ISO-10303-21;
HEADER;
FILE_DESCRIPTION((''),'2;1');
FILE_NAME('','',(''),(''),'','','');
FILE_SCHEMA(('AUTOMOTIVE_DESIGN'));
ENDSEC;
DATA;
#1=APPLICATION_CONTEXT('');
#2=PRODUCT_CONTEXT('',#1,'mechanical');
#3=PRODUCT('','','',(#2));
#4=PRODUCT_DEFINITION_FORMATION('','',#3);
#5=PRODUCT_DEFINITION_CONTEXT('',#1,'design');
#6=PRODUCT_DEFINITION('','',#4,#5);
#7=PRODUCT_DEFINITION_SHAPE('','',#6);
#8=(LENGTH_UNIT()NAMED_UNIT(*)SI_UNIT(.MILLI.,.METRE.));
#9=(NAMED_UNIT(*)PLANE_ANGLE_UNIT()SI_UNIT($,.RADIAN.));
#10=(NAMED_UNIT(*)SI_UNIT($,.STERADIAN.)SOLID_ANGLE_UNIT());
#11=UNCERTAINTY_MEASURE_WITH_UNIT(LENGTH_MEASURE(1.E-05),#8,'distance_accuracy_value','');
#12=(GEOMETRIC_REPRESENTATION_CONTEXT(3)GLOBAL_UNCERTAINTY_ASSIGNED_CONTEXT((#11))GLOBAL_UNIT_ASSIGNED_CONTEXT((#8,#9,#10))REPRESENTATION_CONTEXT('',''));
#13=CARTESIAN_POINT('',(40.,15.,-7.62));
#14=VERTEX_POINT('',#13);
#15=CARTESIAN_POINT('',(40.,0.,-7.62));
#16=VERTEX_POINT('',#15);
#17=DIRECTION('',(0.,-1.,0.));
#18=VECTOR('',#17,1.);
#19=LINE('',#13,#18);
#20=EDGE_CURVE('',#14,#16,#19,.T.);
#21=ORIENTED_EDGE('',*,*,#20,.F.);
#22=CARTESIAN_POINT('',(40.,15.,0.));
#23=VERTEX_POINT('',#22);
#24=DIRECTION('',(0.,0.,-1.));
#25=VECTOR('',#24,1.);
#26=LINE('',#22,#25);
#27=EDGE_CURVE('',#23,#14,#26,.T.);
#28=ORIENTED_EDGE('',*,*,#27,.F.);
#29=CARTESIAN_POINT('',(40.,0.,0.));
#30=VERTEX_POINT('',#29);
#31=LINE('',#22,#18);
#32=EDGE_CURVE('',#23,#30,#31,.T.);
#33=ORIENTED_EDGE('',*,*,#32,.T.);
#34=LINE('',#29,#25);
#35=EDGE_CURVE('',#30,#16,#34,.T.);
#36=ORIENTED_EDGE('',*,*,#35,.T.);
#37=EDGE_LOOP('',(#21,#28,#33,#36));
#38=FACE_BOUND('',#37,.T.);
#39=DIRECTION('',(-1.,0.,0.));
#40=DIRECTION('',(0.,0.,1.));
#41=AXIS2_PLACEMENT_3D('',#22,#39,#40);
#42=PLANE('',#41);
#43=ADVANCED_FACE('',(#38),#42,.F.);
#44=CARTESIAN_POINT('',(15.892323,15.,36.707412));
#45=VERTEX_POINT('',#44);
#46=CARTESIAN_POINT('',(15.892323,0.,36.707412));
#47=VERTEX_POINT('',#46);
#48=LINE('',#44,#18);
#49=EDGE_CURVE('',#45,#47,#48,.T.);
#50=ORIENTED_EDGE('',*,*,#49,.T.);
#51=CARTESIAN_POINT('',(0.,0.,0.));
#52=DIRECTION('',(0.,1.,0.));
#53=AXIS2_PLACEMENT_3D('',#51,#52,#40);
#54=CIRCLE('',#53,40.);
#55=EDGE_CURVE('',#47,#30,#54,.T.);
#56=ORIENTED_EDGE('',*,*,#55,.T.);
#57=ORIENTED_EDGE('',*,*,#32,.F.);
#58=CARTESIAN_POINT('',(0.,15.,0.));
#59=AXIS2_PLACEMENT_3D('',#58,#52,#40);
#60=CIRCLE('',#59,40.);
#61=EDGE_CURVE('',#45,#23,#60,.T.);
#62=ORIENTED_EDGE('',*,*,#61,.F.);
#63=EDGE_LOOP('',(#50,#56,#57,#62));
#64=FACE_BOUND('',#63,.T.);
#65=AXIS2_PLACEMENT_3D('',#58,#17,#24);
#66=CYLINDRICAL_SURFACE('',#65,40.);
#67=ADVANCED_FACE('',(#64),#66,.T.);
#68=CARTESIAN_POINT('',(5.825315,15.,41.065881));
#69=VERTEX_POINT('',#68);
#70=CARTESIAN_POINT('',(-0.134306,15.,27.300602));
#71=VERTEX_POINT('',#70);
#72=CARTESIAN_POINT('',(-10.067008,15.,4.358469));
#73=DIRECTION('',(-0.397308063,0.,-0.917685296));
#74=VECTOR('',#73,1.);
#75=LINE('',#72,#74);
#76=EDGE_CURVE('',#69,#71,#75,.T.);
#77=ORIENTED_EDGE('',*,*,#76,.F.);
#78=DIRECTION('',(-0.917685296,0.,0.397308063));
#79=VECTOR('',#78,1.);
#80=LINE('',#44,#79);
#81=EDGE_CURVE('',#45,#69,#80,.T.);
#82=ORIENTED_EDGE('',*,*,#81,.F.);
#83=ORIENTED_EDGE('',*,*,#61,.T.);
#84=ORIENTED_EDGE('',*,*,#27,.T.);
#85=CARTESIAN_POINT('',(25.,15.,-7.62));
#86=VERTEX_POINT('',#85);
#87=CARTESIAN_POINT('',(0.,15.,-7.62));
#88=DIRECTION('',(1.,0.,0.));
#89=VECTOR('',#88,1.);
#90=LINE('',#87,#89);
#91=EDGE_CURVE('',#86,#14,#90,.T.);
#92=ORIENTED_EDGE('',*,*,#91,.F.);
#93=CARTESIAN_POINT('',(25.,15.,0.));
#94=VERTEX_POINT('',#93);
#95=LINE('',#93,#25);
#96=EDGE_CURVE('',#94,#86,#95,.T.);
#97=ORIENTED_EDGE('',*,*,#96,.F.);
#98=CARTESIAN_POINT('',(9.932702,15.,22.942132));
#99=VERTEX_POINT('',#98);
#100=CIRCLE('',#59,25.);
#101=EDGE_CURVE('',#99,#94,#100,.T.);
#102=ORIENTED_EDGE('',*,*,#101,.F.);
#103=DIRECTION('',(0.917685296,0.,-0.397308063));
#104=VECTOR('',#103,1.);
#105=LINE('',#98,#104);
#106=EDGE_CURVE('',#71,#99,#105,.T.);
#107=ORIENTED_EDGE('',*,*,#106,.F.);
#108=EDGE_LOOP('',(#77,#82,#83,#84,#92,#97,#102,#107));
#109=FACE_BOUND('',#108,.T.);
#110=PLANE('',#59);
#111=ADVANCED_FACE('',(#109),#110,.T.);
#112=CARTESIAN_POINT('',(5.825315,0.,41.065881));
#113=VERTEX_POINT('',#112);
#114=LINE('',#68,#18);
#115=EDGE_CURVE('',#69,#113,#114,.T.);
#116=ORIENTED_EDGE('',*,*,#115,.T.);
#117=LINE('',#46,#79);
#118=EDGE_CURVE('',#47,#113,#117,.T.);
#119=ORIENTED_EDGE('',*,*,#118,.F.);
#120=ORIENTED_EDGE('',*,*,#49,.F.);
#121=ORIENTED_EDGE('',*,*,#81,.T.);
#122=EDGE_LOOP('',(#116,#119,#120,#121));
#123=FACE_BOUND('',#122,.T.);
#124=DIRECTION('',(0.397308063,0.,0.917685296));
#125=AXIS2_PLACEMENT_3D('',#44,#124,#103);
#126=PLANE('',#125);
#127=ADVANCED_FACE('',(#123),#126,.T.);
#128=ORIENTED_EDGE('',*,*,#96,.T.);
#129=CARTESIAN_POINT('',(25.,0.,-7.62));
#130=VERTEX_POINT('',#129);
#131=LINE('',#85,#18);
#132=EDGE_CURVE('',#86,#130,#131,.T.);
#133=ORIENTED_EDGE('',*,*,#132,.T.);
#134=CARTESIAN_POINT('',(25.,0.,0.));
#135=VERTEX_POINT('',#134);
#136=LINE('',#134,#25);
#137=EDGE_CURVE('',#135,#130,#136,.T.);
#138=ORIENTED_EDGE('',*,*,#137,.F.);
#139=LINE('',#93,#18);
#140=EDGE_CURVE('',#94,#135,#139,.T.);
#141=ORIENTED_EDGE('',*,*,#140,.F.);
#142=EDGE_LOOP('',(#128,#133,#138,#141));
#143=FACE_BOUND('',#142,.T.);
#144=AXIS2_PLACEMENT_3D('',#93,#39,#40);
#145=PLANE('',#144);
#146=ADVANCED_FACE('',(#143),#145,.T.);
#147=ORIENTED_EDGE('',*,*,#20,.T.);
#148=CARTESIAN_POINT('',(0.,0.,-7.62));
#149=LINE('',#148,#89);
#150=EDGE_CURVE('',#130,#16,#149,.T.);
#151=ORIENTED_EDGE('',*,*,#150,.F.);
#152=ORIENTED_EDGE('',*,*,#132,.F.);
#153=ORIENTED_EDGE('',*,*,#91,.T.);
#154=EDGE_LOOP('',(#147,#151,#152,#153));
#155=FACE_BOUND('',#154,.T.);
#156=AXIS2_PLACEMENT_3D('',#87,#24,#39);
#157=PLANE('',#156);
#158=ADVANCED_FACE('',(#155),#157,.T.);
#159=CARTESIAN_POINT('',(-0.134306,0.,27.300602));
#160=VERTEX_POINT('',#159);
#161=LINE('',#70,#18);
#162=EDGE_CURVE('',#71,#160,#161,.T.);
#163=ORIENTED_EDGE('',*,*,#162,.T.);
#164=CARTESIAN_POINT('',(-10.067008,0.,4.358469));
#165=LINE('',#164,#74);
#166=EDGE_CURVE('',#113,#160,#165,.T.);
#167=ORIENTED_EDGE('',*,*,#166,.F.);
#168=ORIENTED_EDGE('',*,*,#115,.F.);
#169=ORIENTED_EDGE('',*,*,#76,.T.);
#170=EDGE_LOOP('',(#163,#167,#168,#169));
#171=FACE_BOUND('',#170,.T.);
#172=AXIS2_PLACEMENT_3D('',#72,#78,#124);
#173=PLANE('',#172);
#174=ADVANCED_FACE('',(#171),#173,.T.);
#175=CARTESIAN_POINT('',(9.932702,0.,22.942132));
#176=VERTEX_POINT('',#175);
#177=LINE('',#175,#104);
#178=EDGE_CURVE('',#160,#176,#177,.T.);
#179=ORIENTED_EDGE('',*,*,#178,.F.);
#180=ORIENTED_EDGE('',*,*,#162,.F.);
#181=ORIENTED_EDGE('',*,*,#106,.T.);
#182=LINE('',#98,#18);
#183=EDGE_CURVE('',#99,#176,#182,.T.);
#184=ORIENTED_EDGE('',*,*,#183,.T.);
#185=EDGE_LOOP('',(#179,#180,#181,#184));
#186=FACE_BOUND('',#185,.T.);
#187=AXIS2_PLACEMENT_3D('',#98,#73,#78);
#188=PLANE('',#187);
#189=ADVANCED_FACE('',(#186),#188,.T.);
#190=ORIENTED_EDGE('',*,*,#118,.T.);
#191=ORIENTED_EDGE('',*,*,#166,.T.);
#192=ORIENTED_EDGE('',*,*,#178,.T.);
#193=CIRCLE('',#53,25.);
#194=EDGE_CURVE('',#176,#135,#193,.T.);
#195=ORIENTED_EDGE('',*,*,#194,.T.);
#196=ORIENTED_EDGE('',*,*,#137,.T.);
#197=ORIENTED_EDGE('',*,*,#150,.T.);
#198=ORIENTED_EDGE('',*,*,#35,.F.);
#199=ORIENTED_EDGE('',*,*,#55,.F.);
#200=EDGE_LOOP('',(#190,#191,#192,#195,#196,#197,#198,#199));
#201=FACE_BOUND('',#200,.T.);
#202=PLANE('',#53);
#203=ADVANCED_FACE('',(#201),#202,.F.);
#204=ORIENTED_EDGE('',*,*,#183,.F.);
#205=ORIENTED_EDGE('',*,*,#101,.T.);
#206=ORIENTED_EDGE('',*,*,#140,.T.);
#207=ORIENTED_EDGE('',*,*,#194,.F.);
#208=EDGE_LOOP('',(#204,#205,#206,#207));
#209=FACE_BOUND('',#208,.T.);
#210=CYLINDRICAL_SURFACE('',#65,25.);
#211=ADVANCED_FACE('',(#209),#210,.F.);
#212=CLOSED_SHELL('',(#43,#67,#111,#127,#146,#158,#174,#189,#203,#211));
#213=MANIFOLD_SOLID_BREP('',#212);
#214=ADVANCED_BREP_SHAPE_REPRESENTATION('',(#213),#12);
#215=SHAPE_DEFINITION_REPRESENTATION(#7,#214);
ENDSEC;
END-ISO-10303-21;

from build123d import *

# Parameters (mm, degrees)
BOSS_EXTRUDE1_DEPTH = 15


with BuildPart() as part:
    # Sketch1 → Boss-Extrude1 (new body)
    with BuildSketch(Plane(origin=(0, 0, 0), x_dir=(1, 0, 0), z_dir=(0, 1, 0))):
        with BuildLine():
            Line((15.892322519, -36.707411853), (9.932701575, -22.942132408))
            Line((9.932701575, -22.942132408), (-0.134306126, -27.300601859))
            Line((-0.134306126, -27.300601859), (5.215978235, -39.658461532))
            ThreePointArc((5.215978235, -39.658461532), (10.656794252, -38.554282982), (15.892322519, -36.707411853))
        make_face()
        with BuildLine():
            Line((40, 0), (25, 0))
            ThreePointArc((25, 0), (20.896381737, -13.723746949), (9.932701575, -22.942132408))
            Line((9.932701575, -22.942132408), (15.892322519, -36.707411853))
            ThreePointArc((15.892322519, -36.707411853), (33.434210779, -21.957995118), (40, 0))
        make_face()
        with BuildLine():
            Line((25, 7.62), (25, 0))
            Line((25, 0), (40, 0))
            ThreePointArc((40, 0), (39.816450827, 3.827563654), (39.267487824, 7.62))
            Line((39.267487824, 7.62), (25, 7.62))
        make_face()
        with BuildLine():
            Line((5.825314819, -41.065881304), (15.892322519, -36.707411853))
            ThreePointArc((15.892322519, -36.707411853), (10.656794252, -38.554282982), (5.215978235, -39.658461532))
            Line((5.215978235, -39.658461532), (5.825314819, -41.065881304))
        make_face()
        with BuildLine():
            ThreePointArc((39.267487824, 7.62), (39.816450827, 3.827563654), (40, 0))
            Line((40, 0), (40, 7.62))
            Line((40, 7.62), (39.267487824, 7.62))
        make_face()
    extrude(amount=BOSS_EXTRUDE1_DEPTH)


solid = part.part
